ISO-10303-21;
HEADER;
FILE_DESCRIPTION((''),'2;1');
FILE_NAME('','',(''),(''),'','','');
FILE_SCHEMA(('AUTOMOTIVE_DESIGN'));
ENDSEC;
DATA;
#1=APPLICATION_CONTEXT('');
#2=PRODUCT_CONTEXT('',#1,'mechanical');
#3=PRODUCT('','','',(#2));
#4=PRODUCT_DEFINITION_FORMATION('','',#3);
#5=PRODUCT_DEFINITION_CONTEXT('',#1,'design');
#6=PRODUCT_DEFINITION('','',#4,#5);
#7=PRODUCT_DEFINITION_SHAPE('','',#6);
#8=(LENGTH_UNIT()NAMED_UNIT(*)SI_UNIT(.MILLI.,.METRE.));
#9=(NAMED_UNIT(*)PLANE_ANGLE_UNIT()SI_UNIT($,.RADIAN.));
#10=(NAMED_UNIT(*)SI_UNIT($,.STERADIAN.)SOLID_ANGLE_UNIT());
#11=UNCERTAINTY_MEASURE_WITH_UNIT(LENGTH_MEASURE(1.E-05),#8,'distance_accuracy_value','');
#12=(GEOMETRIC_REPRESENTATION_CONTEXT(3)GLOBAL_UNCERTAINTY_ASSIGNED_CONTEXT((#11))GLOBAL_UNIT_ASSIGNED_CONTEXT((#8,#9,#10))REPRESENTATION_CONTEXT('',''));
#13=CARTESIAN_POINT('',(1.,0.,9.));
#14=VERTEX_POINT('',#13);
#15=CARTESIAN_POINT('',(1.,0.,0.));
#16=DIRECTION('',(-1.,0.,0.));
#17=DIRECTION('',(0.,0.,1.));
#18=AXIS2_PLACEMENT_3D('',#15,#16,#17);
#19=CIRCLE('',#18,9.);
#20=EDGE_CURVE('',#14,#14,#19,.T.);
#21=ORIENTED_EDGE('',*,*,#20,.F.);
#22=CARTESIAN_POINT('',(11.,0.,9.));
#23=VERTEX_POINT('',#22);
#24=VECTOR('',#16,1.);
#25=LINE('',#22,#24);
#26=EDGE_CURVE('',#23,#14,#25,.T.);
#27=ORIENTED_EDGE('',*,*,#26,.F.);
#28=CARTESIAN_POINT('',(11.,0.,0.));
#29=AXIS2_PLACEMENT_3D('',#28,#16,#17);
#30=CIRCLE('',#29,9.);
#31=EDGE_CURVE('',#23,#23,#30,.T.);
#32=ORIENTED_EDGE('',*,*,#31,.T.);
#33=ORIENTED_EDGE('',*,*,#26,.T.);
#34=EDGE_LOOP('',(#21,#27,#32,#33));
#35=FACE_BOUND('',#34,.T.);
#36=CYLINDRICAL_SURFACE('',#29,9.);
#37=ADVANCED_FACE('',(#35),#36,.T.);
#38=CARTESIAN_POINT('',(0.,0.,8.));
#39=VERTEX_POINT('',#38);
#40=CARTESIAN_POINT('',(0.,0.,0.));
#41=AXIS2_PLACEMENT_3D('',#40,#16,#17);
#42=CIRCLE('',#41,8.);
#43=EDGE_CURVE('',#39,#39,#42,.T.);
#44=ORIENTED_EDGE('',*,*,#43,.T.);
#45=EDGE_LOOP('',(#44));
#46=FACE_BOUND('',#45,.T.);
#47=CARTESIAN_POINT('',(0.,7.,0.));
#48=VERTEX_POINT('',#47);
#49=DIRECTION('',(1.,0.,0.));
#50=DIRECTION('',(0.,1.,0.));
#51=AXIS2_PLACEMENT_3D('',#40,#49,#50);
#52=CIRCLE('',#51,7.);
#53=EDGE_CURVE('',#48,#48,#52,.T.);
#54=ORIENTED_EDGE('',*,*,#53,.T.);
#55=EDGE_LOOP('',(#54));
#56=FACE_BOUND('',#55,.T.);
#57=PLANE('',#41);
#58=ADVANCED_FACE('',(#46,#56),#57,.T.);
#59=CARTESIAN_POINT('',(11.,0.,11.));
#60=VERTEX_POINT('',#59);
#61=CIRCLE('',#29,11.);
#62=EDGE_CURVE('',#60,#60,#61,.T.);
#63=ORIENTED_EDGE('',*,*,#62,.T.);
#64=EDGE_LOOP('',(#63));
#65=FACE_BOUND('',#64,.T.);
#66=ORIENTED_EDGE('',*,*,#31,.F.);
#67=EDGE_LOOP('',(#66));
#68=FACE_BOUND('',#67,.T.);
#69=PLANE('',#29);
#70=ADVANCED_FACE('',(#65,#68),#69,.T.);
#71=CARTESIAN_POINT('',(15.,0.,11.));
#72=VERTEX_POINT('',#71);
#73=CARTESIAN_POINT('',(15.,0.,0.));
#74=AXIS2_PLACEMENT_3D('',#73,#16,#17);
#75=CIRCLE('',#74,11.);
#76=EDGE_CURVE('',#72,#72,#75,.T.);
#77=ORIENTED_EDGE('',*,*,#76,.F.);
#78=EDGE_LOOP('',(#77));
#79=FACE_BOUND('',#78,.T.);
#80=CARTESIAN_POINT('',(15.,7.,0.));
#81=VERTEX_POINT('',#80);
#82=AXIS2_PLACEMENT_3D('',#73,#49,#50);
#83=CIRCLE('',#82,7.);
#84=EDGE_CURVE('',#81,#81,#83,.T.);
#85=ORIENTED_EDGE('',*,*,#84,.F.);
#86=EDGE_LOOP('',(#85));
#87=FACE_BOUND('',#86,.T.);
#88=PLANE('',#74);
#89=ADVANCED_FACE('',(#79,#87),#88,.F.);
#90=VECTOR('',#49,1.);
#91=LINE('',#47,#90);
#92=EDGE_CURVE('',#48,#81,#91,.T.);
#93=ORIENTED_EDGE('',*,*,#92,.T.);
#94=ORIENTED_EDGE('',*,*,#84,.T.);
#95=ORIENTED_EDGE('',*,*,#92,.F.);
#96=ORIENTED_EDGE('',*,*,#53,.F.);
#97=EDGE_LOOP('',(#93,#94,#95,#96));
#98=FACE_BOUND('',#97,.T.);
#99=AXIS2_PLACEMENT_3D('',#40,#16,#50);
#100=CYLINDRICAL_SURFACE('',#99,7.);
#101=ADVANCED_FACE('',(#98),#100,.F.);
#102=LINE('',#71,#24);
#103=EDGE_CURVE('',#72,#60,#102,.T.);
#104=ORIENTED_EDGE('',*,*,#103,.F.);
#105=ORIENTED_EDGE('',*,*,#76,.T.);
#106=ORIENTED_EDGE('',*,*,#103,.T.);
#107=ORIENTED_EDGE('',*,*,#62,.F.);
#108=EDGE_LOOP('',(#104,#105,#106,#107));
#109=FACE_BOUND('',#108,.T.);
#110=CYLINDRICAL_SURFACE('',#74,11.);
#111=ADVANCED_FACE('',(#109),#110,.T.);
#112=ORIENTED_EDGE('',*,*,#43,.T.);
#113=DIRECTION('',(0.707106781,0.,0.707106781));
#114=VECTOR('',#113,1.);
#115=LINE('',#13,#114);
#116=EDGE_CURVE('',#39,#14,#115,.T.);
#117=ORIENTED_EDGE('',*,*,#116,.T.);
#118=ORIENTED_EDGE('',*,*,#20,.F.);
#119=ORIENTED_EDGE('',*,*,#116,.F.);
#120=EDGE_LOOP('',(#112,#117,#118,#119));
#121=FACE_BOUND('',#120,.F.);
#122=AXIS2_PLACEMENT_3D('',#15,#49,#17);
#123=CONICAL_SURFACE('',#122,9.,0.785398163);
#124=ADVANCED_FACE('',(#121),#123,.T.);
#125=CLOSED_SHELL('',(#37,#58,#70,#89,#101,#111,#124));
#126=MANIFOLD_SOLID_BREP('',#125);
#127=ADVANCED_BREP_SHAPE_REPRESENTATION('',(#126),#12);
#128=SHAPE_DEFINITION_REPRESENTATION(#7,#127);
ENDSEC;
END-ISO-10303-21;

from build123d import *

# Parameters (mm, degrees)
F2_R     = 7
F3_DEPTH = 15
F4_SIZE  = 1


with BuildPart() as f1:
    # F0 (on Front) → F1 (revolve)
    with BuildSketch(Plane.XZ):
        Polygon((0, 9), (0, 0), (15, 0), (15, 11), (11, 11), (11, 9), align=None)
    revolve(axis=Axis((7.5, 0, 0), (-1, 0, 0)))

    # F2 (on Right) → F3 (cut)
    with BuildSketch(Plane.YZ):
        Circle(F2_R)
    extrude(amount=F3_DEPTH, mode=Mode.SUBTRACT)

    # F4
    f4_edges = [f1.edges().sort_by_distance(p)[0] for p in [
        (0, 0, -9),
    ]]
    chamfer(f4_edges, length=F4_SIZE)


solid = f1.part
